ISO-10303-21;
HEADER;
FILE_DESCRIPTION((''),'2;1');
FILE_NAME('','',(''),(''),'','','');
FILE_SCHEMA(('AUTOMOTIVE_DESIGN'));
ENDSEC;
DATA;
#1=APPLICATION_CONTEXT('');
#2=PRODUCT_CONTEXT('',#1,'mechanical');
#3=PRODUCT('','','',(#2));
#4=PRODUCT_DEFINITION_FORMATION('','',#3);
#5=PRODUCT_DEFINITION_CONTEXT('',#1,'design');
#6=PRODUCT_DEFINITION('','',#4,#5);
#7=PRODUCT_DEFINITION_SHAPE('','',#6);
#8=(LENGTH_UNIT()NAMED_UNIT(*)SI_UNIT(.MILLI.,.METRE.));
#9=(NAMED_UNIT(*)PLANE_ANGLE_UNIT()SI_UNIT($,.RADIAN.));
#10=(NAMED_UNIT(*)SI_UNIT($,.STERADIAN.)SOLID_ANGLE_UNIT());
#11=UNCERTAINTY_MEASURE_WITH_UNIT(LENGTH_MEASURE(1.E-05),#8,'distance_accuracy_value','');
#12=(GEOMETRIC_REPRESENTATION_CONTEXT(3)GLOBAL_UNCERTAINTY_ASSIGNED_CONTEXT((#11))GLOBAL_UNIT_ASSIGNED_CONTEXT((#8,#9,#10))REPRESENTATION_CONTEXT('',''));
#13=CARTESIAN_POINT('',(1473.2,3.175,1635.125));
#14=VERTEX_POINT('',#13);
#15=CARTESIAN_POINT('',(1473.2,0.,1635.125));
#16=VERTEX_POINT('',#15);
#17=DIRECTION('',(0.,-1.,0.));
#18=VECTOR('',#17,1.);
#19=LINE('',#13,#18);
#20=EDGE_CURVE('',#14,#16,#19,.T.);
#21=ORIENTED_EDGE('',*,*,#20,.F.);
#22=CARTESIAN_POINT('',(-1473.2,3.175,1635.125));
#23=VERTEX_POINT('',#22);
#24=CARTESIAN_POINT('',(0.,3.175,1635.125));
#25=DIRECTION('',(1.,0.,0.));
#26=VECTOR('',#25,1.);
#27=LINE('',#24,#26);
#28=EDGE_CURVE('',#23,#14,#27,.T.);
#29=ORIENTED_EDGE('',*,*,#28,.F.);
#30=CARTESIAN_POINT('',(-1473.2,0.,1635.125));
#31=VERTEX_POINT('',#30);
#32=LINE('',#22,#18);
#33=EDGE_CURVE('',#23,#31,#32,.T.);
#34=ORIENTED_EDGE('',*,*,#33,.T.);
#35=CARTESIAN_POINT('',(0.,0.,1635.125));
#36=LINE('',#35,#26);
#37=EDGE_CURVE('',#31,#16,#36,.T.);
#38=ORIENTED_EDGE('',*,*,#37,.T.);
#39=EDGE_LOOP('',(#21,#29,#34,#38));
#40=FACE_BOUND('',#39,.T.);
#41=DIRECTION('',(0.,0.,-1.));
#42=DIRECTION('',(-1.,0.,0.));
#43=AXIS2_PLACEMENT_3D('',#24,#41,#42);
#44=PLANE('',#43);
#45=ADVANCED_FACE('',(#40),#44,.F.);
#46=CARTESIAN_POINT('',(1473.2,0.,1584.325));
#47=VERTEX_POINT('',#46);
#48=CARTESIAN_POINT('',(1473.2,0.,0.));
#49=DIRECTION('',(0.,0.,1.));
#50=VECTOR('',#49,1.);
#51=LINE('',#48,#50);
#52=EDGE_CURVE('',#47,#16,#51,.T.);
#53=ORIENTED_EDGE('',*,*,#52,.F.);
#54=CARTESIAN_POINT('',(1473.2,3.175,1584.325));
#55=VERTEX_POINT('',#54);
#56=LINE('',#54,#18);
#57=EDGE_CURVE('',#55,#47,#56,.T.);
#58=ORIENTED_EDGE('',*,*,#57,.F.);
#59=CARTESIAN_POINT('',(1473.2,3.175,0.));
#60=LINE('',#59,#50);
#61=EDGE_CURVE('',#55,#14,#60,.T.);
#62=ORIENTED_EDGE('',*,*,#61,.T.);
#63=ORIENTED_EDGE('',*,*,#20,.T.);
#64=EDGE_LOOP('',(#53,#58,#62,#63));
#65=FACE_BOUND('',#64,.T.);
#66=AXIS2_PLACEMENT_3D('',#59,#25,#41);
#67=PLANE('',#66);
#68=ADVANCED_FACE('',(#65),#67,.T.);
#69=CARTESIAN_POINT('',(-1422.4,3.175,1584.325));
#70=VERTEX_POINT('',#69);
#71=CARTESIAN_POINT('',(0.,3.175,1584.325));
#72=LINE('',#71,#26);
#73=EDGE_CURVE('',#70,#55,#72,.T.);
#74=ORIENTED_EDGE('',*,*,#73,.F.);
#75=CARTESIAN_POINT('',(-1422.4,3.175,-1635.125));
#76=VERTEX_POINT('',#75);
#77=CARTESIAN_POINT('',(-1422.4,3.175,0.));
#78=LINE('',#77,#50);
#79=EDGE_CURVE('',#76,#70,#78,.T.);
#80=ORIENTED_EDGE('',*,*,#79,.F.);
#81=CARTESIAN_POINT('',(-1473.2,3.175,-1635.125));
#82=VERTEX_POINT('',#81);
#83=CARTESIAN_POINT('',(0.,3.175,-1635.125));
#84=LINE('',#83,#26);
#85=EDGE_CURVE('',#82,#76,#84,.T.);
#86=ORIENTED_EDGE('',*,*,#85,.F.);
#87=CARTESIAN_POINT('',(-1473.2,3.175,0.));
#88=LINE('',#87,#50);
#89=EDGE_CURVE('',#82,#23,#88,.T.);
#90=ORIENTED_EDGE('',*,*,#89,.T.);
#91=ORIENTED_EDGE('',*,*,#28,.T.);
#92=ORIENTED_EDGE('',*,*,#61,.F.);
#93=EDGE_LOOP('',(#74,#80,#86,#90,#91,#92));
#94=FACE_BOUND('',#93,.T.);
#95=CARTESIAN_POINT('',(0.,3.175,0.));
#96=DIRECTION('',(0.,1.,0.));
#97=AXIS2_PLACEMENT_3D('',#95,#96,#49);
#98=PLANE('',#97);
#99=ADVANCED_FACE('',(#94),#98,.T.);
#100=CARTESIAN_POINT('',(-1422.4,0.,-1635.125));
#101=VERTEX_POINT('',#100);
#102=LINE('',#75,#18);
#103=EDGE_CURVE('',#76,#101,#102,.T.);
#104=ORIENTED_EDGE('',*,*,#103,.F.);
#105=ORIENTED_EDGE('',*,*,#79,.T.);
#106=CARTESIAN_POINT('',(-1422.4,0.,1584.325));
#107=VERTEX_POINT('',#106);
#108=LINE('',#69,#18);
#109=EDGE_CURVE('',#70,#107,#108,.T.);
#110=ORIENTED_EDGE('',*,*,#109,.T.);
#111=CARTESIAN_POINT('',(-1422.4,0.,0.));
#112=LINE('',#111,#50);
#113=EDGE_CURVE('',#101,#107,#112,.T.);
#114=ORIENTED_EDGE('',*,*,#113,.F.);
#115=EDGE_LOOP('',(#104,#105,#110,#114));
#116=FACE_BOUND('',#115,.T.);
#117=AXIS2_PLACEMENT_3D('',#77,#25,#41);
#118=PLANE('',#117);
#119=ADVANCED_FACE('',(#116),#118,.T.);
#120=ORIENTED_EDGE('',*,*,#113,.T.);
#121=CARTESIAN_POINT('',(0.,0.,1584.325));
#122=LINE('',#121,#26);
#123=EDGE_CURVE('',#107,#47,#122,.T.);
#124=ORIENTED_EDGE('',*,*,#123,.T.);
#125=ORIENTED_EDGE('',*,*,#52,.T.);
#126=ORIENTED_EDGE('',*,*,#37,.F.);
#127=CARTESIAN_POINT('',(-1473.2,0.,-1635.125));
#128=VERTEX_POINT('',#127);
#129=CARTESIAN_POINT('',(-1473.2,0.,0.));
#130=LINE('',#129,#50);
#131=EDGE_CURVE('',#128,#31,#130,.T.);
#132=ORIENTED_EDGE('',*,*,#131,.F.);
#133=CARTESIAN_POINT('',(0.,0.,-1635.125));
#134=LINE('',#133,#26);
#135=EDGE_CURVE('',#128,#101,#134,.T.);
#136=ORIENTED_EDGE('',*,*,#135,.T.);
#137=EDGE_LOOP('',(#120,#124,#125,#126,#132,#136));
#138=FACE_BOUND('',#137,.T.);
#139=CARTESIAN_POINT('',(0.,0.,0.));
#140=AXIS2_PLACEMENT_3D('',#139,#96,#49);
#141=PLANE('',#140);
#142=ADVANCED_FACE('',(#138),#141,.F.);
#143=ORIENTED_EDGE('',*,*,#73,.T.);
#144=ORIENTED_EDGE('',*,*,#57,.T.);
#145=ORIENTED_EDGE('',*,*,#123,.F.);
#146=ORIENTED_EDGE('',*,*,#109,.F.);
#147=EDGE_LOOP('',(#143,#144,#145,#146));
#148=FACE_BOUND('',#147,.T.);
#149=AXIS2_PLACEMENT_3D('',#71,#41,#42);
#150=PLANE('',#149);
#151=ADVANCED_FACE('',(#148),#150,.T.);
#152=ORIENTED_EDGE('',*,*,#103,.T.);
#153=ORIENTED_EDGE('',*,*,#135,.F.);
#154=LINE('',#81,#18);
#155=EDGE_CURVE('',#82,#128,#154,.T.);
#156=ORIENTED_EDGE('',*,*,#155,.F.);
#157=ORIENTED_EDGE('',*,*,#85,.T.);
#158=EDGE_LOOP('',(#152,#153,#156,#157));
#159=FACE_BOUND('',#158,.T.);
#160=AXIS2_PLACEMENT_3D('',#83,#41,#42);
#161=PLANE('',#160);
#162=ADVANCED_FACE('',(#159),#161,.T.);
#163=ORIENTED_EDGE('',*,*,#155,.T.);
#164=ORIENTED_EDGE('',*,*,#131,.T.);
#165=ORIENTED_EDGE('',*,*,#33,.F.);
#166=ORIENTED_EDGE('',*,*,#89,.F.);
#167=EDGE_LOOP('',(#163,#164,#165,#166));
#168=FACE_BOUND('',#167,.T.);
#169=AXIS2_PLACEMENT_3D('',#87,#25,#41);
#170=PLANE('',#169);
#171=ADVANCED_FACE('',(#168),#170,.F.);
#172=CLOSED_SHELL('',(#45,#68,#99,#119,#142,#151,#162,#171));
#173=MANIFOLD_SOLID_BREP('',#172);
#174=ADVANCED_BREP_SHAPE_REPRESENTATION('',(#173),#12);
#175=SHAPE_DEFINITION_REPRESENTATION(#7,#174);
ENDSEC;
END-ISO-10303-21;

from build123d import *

# Parameters (mm, degrees)
BOSS_EXTRUDE1_DEPTH = 3.175


with BuildPart() as part:
    # Sketch1 → Boss-Extrude1 (new body)
    with BuildSketch(Plane(origin=(0, 0, 0), x_dir=(1, 0, 0), z_dir=(0, 1, 0))):
        Polygon((-1422.4, 1635.125), (-1473.2, 1635.125), (-1473.2, -1635.125), (1473.2, -1635.125), (1473.2, -1584.325), (-1422.4, -1584.325), align=None)
    extrude(amount=BOSS_EXTRUDE1_DEPTH)


solid = part.part
